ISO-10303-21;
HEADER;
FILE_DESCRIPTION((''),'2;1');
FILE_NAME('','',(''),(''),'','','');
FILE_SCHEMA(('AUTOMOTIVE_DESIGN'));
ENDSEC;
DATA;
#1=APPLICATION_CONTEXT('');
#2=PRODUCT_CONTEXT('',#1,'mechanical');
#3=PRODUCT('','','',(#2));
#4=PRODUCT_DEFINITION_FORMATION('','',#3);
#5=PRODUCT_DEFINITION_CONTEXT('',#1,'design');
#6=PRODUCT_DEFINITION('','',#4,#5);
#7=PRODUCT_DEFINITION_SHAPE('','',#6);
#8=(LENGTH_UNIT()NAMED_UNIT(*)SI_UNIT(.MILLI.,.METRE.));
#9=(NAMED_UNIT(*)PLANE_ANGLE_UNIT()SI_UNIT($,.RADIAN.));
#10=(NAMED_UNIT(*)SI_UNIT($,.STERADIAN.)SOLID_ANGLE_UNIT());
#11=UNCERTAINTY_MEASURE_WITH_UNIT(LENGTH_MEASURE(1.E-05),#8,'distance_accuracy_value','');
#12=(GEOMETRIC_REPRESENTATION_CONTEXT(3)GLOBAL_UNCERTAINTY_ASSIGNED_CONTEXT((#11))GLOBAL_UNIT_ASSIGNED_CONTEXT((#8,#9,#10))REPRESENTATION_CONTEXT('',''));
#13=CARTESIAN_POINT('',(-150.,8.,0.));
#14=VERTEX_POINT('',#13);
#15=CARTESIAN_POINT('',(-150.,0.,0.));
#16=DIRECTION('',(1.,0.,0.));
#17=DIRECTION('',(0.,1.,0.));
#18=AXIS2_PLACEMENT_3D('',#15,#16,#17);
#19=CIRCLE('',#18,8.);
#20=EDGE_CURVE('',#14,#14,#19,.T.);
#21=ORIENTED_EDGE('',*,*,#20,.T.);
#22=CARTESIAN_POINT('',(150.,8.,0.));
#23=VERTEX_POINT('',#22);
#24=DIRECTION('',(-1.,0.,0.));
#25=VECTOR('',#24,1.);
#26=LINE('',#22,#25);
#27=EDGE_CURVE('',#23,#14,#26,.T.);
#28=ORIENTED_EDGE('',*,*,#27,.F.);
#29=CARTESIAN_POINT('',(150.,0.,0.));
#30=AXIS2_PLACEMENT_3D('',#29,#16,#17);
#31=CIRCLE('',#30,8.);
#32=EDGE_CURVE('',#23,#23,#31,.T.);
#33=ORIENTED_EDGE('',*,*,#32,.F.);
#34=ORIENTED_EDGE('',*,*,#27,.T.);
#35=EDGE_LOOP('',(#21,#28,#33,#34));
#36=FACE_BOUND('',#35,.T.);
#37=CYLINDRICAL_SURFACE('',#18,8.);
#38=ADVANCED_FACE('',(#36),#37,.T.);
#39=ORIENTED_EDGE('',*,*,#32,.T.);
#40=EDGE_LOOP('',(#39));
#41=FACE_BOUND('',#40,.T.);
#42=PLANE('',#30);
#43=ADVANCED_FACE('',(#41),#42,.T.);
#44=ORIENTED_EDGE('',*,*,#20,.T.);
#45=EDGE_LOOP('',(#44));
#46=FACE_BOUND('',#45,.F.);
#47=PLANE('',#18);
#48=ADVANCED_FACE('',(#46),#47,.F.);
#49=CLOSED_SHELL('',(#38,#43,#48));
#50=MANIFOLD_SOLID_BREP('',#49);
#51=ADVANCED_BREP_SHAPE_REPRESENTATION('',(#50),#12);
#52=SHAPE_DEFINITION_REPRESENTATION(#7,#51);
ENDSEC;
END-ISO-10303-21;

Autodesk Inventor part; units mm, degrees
ref_plane "YZ Plane" through (0, 0, 0) normal (1, 0, 0) x (0, 1, 0)
ref_plane "XZ Plane" through (0, 0, 0) normal (0, 1, 0) x (-1, 0, 0)
sketch "Эскиз1" plane through (0, 0, 0) normal (0, 0, 1) x (1, 0, 0)
  line L0 (150, 8) -> (150, 0)
  line L1 (-150, 0) -> (150, 0)
  line L2 (-210, 0) -> (210, 0) projected
  line L3 (0, 9.6) -> (0, -1.6) projected
  line L4 (-150, 8) -> (-150, 0)
  line L5 (0, 8) -> (0, 0) construction
  line L6 (-210, 0) -> (210, 0) projected
  line L7 (-150, 8) -> (150, 8)
  dimension "d13" = 16
  dimension "d87" = 300
  dimension "d88" = 150
revolve "Базовый элемент" add sketch "Эскиз1" angle 360 about axis through (-150, 0, 0) along (1, 0, 0)
thread "Резьба1" size "M16x1.5" class "6g" standard "ISO Metric profile" length 300
ref_plane "Work Plane1" through (2.75, 0, 0) normal (0, -1, 0) x (1, 0, 0)
equation "\"d13\" = NND"
equation "\"d87\" = NLG"
equation "\"d88\" = 0.5 * NLG"
equation "\"d1\" = GEL"
equation "\"NLG\" = 300"
equation "\"GEL\" = NLG"
equation "\"GAL\" = 0.61345 * PTC"
equation "\"SPD\" = 13.93"
equation "\"d0\" = NND"
equation "\"GUL\" = 0.61345 * PTC"
equation "\"NND\" = 16"
equation "\"GUL1\" = GUL"
equation "\"GAL1\" = GAL"
equation "\"d89\" = -GEL + GUL1"
equation "\"d90\" = -GUL - GEL"
equation "\"PTC\" = 1.5"
equation "\"THREADDIA\" = 16"
equation "\"TOA\" = 30deg"
equation "\"GD1\" = THREADDIA - 1.2269 * PTC"
properties part number "DIN 976-1 - M16 x 1,5 x 300 - A" material "Сталь, мягкая"
